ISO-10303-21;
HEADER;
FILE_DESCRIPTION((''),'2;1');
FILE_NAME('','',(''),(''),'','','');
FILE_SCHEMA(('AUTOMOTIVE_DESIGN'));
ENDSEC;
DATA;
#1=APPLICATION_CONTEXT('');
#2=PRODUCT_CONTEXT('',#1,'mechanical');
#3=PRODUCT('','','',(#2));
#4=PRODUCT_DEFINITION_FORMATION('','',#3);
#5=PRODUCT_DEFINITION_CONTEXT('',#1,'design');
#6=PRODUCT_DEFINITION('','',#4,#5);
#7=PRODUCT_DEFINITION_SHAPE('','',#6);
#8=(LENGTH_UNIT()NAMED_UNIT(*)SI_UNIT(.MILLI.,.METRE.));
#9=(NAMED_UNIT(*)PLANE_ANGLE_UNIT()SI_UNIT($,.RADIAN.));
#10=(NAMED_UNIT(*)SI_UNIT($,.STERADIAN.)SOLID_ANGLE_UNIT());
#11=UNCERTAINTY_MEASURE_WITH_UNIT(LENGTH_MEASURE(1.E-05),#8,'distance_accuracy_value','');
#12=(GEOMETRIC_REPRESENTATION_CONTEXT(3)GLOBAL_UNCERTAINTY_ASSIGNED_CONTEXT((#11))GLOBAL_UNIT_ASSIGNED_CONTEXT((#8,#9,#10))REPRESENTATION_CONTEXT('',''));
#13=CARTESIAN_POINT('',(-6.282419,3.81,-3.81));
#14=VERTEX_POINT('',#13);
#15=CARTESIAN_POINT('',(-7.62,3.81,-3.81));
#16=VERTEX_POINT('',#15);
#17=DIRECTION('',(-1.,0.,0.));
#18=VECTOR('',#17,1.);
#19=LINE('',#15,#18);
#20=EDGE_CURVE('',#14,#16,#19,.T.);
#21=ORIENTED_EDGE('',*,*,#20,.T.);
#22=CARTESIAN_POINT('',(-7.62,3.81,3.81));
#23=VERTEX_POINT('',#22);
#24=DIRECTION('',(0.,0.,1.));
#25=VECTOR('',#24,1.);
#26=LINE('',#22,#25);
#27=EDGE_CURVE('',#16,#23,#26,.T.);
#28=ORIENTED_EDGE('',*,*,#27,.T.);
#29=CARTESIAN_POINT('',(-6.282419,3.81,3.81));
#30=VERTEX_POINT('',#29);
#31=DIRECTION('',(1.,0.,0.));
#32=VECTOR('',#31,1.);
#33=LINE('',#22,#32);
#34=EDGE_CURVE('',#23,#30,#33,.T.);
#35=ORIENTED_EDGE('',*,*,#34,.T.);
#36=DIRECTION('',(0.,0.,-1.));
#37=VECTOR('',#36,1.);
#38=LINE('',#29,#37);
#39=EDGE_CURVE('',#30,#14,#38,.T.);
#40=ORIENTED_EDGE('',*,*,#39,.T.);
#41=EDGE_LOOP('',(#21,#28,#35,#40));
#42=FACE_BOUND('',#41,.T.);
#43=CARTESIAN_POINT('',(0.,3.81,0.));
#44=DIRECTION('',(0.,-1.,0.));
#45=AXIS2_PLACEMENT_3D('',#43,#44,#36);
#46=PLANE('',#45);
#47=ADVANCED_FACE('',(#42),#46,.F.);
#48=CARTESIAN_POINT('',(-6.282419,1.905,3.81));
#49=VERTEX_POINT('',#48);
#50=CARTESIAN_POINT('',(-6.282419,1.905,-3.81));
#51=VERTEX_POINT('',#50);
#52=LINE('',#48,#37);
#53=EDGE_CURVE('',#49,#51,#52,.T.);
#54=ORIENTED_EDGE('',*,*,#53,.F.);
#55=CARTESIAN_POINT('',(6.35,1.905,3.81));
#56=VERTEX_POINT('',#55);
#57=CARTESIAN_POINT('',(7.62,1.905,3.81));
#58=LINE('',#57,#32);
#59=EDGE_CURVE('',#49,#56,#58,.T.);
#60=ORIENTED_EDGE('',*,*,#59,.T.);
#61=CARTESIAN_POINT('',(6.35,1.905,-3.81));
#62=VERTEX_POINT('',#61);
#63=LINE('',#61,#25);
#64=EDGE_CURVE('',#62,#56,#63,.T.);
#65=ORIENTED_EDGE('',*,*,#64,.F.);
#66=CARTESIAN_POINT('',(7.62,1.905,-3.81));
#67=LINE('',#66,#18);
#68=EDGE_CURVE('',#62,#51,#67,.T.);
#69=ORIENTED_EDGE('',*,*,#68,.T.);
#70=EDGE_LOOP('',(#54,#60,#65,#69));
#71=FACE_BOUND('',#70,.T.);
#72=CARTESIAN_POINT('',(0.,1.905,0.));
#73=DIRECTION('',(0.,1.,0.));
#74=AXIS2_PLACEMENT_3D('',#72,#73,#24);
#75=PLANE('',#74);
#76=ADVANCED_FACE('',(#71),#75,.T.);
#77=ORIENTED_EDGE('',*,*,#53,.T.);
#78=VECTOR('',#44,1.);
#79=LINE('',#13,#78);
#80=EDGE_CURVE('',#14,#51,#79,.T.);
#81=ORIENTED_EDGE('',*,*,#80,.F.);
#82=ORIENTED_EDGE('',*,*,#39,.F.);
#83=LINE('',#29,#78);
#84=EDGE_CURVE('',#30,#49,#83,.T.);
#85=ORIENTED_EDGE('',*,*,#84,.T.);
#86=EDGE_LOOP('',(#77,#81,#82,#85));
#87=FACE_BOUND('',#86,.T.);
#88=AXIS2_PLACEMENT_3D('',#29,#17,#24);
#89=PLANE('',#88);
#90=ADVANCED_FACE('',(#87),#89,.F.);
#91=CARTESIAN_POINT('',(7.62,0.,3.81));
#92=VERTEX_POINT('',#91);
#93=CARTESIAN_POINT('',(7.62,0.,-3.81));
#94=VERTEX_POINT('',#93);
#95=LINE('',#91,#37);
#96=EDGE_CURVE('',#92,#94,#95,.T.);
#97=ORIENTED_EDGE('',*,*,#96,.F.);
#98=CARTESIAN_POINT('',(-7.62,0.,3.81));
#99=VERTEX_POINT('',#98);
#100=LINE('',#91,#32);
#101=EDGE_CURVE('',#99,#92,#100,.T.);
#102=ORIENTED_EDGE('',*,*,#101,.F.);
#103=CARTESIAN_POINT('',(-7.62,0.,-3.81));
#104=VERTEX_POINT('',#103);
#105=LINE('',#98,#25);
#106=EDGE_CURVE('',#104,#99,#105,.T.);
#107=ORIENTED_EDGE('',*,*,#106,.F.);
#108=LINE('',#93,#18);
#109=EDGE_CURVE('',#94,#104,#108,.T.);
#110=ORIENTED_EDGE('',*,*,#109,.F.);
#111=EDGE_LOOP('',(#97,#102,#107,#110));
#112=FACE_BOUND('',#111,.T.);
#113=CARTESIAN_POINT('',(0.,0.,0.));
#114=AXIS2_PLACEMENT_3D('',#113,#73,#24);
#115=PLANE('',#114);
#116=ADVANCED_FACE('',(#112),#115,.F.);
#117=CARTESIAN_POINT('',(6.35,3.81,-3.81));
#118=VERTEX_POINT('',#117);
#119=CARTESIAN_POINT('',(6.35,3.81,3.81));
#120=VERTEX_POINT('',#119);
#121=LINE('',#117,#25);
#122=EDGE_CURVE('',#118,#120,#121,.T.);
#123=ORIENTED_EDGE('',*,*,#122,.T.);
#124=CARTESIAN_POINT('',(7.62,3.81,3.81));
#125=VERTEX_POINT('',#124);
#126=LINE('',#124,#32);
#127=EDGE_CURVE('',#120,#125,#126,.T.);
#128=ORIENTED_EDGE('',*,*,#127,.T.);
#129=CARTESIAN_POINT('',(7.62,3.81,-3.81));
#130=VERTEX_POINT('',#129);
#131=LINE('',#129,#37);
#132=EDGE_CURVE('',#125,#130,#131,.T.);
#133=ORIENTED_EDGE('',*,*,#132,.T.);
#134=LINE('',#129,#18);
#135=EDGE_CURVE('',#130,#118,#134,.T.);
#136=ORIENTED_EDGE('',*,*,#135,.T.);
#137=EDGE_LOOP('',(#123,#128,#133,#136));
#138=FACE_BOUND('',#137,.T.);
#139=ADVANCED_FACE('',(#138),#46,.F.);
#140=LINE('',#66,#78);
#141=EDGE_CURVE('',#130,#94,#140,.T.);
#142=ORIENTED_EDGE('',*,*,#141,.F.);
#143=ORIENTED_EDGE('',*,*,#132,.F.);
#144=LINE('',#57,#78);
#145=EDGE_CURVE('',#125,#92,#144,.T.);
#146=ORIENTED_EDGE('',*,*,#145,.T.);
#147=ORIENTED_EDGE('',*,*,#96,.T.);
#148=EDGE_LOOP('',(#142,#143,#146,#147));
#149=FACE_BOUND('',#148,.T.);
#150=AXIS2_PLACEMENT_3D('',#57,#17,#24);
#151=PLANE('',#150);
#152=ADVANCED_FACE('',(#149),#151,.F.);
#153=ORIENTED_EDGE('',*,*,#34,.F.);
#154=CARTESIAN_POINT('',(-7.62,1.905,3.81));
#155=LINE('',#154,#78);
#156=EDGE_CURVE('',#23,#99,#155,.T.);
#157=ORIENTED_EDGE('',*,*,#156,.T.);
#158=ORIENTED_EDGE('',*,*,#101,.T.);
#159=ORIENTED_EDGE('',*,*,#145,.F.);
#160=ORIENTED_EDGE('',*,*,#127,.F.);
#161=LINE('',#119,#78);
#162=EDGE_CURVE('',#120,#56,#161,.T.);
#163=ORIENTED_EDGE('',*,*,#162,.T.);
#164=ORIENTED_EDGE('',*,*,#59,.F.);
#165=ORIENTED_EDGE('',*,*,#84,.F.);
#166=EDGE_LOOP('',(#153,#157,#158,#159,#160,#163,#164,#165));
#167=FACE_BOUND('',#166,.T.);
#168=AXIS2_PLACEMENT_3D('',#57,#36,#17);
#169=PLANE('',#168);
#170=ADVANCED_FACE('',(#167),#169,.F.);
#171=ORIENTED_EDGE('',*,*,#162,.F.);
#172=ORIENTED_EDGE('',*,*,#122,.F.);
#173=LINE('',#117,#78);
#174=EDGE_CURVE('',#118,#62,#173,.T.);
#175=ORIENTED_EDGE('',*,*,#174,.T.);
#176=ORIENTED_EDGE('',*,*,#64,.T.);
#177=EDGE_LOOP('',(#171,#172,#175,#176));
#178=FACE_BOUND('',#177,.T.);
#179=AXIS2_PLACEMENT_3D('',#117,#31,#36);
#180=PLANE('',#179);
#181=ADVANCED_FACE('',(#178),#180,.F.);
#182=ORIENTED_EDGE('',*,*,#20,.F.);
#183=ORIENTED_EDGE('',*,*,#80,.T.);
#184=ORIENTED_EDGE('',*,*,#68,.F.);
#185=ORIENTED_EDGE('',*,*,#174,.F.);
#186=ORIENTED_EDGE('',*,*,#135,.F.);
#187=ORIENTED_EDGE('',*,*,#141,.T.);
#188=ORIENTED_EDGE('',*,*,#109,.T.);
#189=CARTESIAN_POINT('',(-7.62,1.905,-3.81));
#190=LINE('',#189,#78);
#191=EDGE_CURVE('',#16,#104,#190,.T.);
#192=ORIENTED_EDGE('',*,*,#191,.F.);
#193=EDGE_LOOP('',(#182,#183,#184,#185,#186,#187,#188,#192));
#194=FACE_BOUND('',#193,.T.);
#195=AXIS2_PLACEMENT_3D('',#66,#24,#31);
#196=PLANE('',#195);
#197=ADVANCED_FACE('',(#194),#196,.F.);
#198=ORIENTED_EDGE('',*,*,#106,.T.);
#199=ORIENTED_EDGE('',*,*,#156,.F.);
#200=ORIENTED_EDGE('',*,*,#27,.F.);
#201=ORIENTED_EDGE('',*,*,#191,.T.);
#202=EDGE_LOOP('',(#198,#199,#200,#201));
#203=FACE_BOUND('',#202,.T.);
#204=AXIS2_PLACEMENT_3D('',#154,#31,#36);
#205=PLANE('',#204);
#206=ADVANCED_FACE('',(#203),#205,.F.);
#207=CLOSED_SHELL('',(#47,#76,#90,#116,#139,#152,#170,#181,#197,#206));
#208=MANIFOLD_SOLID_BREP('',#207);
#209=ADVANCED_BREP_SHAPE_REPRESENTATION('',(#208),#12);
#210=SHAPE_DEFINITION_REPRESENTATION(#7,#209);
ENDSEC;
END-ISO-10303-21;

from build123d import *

# Parameters (mm, degrees)
SKETCH1_W           = 15.24
SKETCH1_H           = 7.62
BOSS_EXTRUDE1_DEPTH = 1.905
SKETCH2_W           = 1.337581399
SKETCH2_H           = 7.62
BOSS_EXTRUDE2_DEPTH = 1.905
SKETCH3_W           = 1.27
SKETCH3_H           = 7.62
BOSS_EXTRUDE3_DEPTH = 1.905


with BuildPart() as part:
    # Sketch1 → Boss-Extrude1 (new body)
    with BuildSketch(Plane(origin=(0, 0, 0), x_dir=(1, 0, 0), z_dir=(0, 1, 0))):
        Rectangle(SKETCH1_W, SKETCH1_H)
    extrude(amount=BOSS_EXTRUDE1_DEPTH)

    # Sketch2 → Boss-Extrude2 (add)
    with BuildSketch(Plane(origin=(0, 1.905, 0), x_dir=(1, 0, 0), z_dir=(0, 1, 0))):
        with Locations((-6.951209301, 0)):
            Rectangle(SKETCH2_W, SKETCH2_H)
    extrude(amount=BOSS_EXTRUDE2_DEPTH)

    # Sketch3 → Boss-Extrude3 (add)
    with BuildSketch(Plane(origin=(0, 1.905, 0), x_dir=(1, 0, 0), z_dir=(0, 1, 0))):
        with Locations((6.985, 0)):
            Rectangle(SKETCH3_W, SKETCH3_H)
    extrude(amount=BOSS_EXTRUDE3_DEPTH)


solid = part.part
